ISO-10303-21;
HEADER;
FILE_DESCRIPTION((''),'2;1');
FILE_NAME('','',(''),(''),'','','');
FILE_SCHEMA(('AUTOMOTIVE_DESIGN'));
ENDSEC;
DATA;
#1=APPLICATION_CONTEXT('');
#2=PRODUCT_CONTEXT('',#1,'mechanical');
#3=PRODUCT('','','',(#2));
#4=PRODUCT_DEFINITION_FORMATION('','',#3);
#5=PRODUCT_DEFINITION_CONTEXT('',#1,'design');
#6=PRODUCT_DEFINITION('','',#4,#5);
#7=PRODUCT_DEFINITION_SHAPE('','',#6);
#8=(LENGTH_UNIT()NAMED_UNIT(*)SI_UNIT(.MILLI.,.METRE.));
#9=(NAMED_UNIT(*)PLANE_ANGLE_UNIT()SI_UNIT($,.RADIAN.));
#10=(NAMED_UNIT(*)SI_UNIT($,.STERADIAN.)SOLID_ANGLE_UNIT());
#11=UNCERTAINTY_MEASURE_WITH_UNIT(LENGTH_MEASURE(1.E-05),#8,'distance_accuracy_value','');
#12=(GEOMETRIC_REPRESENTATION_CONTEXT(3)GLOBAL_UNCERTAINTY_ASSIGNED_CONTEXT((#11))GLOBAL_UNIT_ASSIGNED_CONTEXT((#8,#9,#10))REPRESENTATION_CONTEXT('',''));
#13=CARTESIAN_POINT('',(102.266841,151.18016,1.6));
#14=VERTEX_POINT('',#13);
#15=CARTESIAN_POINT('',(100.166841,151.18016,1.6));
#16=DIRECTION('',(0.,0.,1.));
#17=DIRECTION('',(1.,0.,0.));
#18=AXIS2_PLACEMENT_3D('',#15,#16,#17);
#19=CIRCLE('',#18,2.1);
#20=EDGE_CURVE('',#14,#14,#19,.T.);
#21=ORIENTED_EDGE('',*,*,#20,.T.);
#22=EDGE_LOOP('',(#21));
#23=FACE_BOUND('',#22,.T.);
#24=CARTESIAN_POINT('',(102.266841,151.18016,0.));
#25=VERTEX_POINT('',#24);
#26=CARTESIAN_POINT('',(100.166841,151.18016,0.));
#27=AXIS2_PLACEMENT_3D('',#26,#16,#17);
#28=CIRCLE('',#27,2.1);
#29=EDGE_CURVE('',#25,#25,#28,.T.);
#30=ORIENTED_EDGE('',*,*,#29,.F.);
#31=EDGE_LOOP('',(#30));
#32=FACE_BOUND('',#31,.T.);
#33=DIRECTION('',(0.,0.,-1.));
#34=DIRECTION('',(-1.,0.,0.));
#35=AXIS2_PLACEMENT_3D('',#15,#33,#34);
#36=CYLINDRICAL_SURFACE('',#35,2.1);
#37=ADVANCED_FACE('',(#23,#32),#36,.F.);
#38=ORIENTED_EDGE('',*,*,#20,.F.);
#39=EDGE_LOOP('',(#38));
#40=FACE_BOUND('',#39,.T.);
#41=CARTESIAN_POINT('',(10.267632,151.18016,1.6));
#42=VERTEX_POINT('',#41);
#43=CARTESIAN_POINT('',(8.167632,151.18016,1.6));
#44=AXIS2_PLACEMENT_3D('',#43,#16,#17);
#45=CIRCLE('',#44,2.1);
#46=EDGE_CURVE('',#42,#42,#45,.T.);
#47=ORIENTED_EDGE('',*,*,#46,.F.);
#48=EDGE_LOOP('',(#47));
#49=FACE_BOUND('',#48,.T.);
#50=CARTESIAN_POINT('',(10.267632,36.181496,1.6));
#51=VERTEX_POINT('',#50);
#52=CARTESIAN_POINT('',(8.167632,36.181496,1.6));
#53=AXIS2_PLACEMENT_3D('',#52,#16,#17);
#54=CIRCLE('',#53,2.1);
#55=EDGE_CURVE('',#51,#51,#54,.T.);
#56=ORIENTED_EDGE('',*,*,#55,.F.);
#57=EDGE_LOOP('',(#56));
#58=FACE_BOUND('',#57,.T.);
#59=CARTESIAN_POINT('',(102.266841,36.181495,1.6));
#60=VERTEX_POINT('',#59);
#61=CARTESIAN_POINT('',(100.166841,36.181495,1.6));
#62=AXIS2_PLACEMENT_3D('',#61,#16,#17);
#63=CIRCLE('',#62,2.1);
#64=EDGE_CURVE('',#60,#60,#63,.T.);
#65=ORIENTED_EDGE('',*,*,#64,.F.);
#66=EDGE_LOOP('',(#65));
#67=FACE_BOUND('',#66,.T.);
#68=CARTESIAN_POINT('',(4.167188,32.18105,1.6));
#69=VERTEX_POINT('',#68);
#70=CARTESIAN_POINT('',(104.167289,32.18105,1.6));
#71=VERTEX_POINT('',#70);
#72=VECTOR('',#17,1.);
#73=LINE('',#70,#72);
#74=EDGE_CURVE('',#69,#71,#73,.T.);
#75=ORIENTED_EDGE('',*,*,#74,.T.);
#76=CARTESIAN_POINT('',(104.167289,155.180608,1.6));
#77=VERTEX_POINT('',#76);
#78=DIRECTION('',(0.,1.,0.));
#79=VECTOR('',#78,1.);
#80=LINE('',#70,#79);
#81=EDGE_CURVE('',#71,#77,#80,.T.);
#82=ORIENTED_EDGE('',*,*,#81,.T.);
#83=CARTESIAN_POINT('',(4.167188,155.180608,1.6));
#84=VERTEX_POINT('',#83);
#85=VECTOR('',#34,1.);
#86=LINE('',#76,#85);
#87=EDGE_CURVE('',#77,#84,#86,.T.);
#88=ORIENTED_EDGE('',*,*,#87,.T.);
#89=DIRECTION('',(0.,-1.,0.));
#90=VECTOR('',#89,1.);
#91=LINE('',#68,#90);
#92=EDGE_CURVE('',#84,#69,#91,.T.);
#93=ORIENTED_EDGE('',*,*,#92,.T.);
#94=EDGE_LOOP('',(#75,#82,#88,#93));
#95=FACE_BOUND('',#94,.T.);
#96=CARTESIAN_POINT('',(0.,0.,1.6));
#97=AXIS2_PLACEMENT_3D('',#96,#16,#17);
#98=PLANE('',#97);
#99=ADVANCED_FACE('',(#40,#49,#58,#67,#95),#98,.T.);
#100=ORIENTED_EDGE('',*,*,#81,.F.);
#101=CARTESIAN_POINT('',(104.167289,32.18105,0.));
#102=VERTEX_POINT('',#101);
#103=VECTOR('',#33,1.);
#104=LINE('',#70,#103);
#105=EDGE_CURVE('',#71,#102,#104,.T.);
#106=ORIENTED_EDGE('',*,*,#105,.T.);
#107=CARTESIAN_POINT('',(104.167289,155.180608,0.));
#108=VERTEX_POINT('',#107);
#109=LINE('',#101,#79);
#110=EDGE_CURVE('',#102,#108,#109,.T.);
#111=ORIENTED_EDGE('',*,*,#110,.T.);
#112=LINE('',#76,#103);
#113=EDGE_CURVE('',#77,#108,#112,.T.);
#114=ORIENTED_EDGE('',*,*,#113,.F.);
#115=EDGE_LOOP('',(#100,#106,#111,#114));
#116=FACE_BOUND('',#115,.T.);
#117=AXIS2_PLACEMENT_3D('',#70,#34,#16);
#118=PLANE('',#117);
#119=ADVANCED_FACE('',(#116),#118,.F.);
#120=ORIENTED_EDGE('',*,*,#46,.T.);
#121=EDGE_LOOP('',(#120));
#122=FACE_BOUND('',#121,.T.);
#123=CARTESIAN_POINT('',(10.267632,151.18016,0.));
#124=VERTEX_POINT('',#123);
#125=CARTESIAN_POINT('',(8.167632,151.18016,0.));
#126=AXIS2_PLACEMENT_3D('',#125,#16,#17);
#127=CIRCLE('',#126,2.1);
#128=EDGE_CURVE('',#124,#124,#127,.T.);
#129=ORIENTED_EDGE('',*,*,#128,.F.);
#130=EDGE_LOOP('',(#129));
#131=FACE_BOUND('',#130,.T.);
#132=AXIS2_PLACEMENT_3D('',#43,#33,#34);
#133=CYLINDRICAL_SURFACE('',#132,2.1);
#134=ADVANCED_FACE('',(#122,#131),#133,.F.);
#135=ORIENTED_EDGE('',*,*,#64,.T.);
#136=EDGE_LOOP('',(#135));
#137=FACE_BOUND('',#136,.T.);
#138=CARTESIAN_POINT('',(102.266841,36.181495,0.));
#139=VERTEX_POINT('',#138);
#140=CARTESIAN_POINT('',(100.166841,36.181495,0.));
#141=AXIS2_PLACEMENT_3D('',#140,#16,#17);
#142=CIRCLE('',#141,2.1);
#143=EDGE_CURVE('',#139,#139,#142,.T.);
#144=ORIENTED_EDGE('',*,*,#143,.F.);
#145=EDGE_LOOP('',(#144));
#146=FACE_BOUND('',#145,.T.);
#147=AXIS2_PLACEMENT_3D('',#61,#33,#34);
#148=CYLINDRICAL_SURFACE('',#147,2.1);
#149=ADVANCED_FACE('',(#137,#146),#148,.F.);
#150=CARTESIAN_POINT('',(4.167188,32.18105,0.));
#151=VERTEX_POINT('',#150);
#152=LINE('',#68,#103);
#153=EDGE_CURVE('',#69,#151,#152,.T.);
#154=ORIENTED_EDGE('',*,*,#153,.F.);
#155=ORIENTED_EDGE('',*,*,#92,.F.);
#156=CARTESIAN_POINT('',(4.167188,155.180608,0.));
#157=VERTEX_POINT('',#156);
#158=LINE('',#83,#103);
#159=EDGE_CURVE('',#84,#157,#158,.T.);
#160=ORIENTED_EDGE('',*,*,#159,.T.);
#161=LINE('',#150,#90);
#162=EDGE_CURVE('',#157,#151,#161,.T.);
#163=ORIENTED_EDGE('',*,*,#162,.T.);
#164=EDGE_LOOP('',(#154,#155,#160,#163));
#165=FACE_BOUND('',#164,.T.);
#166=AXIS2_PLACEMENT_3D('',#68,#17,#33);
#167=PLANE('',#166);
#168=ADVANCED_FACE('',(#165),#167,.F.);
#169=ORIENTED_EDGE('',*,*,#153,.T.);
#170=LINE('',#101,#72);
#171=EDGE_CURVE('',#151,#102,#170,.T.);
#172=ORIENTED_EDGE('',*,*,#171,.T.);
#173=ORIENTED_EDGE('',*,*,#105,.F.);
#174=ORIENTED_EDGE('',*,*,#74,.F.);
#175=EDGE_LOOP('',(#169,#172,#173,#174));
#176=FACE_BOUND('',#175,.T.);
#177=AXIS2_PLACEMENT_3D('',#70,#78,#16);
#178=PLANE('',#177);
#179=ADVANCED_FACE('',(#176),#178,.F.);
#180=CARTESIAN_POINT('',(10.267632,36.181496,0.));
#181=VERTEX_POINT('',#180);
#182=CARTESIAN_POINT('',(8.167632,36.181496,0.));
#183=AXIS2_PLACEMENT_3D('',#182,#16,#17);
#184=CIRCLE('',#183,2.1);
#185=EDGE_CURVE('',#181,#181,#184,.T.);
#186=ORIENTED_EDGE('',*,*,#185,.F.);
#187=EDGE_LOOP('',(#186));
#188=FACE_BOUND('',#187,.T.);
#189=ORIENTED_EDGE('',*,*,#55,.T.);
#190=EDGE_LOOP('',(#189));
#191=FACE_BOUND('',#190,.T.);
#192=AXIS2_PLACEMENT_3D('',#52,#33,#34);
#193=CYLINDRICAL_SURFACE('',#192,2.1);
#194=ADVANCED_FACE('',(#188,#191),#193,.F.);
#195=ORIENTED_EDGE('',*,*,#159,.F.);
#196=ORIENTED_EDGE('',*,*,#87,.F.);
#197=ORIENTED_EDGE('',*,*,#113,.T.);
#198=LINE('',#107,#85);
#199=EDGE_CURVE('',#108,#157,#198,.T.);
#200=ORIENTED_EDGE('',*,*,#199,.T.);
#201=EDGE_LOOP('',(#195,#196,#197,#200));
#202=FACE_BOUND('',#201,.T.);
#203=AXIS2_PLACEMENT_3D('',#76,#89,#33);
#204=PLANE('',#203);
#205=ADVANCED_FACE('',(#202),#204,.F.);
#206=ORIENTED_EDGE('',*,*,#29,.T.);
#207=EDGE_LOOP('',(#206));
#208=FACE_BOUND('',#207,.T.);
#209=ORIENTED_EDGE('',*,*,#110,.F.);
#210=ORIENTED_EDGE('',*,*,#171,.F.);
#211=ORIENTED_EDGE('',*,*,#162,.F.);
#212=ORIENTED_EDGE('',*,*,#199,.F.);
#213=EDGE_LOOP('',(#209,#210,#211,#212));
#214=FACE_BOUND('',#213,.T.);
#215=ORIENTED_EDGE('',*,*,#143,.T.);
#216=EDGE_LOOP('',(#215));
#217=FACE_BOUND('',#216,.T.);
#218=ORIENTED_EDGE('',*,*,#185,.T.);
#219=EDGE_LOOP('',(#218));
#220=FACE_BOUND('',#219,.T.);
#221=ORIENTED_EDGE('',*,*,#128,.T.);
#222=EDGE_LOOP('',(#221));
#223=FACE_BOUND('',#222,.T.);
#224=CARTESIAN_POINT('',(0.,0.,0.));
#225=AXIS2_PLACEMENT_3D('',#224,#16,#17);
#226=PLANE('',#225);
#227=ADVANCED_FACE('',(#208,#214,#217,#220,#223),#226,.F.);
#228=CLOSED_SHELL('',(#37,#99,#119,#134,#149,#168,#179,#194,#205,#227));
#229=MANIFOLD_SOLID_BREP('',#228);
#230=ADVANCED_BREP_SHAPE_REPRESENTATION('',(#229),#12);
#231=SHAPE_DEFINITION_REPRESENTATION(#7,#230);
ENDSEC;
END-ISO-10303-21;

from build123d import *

# Parameters (mm, degrees)
SKETCH2_W           = 100.00010125
SKETCH2_H           = 122.9995575
SKETCH2_R           = 2.1
BOSS_EXTRUDE1_DEPTH = 1.6


with BuildPart() as part:
    # Sketch2 → Boss-Extrude1 (new body)
    with BuildSketch(Plane.XY):
        with Locations((54.167238625, 93.68082875)):
            Rectangle(SKETCH2_W, SKETCH2_H)
        with Locations((8.16763175, 151.18016)):
            Circle(SKETCH2_R, mode=Mode.SUBTRACT)
        with Locations((100.1668405, 151.18016)):
            Circle(SKETCH2_R, mode=Mode.SUBTRACT)
        with Locations((100.1668405, 36.181495)):
            Circle(SKETCH2_R, mode=Mode.SUBTRACT)
        with Locations((8.16763175, 36.181495625)):
            Circle(SKETCH2_R, mode=Mode.SUBTRACT)
    extrude(amount=BOSS_EXTRUDE1_DEPTH)


solid = part.part
